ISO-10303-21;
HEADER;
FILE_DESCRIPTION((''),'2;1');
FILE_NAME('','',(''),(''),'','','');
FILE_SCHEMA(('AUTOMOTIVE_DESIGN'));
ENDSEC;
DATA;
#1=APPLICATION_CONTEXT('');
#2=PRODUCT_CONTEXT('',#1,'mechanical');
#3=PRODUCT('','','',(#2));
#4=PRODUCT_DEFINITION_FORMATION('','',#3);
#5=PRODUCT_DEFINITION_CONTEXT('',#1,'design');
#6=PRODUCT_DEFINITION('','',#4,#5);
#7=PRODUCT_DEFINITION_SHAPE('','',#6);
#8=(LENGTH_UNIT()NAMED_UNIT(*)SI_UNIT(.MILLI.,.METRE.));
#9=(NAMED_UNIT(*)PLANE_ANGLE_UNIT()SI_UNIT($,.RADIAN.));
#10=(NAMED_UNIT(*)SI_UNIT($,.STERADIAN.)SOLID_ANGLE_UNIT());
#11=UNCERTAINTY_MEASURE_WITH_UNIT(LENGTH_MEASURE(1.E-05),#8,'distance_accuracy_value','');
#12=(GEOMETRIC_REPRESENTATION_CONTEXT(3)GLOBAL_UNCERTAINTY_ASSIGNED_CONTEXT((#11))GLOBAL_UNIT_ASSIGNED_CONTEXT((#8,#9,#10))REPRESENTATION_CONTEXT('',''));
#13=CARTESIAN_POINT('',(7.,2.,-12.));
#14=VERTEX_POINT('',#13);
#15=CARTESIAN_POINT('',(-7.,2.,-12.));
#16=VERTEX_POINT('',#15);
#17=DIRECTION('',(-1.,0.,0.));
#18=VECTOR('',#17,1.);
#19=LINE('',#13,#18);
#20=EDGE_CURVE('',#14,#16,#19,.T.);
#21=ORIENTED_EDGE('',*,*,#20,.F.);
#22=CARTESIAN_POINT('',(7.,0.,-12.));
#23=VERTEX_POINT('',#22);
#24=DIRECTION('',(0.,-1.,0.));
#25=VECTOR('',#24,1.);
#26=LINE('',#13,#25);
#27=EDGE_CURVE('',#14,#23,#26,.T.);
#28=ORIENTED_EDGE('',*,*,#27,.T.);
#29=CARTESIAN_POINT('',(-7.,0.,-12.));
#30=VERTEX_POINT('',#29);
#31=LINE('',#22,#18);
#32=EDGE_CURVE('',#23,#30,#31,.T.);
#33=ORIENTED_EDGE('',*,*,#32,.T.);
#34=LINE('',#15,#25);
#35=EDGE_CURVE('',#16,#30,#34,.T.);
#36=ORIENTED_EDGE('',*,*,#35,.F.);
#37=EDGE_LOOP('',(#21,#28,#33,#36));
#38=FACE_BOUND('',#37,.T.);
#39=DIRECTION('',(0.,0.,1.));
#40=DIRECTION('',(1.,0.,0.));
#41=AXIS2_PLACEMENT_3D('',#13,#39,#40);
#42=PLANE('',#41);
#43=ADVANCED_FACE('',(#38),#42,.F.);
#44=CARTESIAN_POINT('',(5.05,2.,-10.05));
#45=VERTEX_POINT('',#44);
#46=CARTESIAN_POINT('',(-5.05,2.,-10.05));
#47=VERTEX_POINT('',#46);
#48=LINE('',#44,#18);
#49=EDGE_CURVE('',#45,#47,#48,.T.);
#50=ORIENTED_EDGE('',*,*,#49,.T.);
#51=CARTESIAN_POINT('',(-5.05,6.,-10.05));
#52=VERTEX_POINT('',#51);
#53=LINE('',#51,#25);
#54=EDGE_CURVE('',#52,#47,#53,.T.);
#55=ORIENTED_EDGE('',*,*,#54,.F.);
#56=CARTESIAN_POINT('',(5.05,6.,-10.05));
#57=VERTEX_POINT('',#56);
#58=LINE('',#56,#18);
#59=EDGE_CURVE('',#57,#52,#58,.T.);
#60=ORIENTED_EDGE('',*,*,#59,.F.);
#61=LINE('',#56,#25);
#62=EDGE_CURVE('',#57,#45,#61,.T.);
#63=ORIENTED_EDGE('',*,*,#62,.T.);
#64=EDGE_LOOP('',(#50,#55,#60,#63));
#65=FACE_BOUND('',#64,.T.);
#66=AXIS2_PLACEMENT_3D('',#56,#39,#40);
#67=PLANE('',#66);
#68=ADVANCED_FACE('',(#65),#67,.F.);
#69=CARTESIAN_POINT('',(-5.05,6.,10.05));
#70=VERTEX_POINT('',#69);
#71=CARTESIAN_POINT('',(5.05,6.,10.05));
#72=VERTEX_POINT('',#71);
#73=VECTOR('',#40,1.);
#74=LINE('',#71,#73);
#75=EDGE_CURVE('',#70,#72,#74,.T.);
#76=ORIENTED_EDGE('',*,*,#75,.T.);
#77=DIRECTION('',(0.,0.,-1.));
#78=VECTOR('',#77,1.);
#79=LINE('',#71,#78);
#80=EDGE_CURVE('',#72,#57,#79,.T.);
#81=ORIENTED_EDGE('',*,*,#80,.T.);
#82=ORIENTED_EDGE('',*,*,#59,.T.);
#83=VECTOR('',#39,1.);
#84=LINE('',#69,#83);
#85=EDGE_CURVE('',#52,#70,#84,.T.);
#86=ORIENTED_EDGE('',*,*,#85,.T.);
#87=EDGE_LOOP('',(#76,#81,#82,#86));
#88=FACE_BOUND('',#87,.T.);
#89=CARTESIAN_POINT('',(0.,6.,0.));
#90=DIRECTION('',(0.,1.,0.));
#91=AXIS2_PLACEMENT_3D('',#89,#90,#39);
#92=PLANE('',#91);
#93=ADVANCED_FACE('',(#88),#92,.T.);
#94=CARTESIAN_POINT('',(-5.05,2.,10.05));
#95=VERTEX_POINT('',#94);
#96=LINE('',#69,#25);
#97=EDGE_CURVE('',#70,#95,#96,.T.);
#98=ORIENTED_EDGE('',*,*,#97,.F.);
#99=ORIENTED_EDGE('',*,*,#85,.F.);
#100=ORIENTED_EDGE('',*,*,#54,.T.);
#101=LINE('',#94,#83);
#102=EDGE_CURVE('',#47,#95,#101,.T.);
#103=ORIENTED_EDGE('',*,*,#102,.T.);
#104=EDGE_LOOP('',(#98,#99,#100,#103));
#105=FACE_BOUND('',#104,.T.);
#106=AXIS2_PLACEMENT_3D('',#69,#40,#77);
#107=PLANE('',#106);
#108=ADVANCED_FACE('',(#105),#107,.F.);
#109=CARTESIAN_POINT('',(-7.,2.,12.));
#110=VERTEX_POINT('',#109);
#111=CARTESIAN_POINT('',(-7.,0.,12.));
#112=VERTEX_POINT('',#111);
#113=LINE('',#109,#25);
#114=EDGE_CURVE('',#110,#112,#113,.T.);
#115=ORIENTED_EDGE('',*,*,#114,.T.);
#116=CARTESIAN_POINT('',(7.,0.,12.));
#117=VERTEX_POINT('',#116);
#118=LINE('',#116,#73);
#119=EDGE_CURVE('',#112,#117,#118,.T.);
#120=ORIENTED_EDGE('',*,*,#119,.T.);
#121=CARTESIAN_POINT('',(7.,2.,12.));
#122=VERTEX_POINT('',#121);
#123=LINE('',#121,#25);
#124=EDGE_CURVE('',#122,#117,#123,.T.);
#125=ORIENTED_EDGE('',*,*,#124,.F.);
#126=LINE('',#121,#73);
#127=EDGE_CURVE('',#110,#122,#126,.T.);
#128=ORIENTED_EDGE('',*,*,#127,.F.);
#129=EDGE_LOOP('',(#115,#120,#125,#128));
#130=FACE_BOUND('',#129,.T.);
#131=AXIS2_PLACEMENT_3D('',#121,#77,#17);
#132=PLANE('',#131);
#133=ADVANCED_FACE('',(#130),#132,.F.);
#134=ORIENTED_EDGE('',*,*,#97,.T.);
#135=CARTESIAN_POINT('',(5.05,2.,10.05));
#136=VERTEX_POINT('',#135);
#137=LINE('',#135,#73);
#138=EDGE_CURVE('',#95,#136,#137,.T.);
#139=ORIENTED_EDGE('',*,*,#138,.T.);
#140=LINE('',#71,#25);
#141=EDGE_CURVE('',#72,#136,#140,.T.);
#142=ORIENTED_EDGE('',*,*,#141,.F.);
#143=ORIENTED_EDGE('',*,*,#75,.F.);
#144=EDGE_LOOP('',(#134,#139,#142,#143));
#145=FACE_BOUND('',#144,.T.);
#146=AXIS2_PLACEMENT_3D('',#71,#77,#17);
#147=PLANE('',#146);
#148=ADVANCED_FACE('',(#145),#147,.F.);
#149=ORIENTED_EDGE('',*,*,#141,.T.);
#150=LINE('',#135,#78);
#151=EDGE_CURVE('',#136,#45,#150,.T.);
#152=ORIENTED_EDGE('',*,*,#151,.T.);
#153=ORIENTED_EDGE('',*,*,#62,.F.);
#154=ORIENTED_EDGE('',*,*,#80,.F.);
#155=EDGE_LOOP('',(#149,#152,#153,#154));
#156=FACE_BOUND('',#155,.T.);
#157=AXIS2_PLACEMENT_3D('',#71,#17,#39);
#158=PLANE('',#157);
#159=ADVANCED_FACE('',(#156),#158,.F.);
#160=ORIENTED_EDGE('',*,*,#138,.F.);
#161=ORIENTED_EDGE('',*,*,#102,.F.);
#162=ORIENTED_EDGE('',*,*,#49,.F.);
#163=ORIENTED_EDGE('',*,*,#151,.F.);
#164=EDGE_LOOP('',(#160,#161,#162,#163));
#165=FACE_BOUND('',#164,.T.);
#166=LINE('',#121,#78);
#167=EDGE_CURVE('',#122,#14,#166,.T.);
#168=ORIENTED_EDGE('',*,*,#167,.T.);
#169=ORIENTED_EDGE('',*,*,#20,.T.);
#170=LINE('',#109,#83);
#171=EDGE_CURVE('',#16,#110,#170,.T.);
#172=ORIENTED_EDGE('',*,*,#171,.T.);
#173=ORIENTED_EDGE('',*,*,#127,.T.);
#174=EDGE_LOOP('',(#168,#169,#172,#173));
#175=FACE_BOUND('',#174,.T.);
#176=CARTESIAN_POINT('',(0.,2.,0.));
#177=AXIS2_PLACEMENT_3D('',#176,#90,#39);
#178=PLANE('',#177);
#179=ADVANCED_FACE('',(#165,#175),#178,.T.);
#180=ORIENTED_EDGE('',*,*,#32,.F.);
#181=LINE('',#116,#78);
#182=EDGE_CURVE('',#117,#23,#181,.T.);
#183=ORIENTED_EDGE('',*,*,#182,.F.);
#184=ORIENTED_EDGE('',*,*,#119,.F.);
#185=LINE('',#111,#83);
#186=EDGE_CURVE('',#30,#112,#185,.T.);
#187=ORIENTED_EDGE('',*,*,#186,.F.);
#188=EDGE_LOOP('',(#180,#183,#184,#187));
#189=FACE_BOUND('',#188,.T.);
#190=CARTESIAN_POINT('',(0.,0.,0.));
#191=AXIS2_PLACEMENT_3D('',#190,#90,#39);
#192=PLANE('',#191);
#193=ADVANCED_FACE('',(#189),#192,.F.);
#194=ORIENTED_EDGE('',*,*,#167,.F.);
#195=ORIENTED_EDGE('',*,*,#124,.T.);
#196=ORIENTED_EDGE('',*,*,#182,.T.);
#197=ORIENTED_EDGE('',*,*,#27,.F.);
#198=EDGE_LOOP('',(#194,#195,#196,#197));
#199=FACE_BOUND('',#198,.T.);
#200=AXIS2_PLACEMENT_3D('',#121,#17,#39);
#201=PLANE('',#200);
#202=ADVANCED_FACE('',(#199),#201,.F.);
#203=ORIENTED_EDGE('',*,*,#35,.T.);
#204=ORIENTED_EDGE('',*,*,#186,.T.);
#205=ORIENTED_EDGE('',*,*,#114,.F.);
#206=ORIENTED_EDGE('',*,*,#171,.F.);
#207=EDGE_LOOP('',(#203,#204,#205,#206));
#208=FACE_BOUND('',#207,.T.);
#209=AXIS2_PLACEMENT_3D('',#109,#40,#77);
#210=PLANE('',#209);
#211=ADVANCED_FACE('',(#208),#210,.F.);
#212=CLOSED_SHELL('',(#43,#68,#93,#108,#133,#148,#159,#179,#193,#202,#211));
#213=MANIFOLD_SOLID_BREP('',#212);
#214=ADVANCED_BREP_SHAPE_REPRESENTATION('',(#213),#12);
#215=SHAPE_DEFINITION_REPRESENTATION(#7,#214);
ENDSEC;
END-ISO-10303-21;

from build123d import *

# Parameters (mm, degrees)
SKETCH1_W           = 14
SKETCH1_H           = 24
BOSS_EXTRUDE1_DEPTH = 2
SKETCH2_W           = 10.1
SKETCH2_H           = 20.1
BOSS_EXTRUDE2_DEPTH = 4


with BuildPart() as part:
    # Sketch1 → Boss-Extrude1 (new body)
    with BuildSketch(Plane(origin=(0, 0, 0), x_dir=(1, 0, 0), z_dir=(0, 1, 0))):
        Rectangle(SKETCH1_W, SKETCH1_H)
    extrude(amount=BOSS_EXTRUDE1_DEPTH)

    # Sketch2 → Boss-Extrude2 (add)
    with BuildSketch(Plane(origin=(0, 2, 0), x_dir=(1, 0, 0), z_dir=(0, 1, 0))):
        Rectangle(SKETCH2_W, SKETCH2_H)
    extrude(amount=BOSS_EXTRUDE2_DEPTH)


solid = part.part
